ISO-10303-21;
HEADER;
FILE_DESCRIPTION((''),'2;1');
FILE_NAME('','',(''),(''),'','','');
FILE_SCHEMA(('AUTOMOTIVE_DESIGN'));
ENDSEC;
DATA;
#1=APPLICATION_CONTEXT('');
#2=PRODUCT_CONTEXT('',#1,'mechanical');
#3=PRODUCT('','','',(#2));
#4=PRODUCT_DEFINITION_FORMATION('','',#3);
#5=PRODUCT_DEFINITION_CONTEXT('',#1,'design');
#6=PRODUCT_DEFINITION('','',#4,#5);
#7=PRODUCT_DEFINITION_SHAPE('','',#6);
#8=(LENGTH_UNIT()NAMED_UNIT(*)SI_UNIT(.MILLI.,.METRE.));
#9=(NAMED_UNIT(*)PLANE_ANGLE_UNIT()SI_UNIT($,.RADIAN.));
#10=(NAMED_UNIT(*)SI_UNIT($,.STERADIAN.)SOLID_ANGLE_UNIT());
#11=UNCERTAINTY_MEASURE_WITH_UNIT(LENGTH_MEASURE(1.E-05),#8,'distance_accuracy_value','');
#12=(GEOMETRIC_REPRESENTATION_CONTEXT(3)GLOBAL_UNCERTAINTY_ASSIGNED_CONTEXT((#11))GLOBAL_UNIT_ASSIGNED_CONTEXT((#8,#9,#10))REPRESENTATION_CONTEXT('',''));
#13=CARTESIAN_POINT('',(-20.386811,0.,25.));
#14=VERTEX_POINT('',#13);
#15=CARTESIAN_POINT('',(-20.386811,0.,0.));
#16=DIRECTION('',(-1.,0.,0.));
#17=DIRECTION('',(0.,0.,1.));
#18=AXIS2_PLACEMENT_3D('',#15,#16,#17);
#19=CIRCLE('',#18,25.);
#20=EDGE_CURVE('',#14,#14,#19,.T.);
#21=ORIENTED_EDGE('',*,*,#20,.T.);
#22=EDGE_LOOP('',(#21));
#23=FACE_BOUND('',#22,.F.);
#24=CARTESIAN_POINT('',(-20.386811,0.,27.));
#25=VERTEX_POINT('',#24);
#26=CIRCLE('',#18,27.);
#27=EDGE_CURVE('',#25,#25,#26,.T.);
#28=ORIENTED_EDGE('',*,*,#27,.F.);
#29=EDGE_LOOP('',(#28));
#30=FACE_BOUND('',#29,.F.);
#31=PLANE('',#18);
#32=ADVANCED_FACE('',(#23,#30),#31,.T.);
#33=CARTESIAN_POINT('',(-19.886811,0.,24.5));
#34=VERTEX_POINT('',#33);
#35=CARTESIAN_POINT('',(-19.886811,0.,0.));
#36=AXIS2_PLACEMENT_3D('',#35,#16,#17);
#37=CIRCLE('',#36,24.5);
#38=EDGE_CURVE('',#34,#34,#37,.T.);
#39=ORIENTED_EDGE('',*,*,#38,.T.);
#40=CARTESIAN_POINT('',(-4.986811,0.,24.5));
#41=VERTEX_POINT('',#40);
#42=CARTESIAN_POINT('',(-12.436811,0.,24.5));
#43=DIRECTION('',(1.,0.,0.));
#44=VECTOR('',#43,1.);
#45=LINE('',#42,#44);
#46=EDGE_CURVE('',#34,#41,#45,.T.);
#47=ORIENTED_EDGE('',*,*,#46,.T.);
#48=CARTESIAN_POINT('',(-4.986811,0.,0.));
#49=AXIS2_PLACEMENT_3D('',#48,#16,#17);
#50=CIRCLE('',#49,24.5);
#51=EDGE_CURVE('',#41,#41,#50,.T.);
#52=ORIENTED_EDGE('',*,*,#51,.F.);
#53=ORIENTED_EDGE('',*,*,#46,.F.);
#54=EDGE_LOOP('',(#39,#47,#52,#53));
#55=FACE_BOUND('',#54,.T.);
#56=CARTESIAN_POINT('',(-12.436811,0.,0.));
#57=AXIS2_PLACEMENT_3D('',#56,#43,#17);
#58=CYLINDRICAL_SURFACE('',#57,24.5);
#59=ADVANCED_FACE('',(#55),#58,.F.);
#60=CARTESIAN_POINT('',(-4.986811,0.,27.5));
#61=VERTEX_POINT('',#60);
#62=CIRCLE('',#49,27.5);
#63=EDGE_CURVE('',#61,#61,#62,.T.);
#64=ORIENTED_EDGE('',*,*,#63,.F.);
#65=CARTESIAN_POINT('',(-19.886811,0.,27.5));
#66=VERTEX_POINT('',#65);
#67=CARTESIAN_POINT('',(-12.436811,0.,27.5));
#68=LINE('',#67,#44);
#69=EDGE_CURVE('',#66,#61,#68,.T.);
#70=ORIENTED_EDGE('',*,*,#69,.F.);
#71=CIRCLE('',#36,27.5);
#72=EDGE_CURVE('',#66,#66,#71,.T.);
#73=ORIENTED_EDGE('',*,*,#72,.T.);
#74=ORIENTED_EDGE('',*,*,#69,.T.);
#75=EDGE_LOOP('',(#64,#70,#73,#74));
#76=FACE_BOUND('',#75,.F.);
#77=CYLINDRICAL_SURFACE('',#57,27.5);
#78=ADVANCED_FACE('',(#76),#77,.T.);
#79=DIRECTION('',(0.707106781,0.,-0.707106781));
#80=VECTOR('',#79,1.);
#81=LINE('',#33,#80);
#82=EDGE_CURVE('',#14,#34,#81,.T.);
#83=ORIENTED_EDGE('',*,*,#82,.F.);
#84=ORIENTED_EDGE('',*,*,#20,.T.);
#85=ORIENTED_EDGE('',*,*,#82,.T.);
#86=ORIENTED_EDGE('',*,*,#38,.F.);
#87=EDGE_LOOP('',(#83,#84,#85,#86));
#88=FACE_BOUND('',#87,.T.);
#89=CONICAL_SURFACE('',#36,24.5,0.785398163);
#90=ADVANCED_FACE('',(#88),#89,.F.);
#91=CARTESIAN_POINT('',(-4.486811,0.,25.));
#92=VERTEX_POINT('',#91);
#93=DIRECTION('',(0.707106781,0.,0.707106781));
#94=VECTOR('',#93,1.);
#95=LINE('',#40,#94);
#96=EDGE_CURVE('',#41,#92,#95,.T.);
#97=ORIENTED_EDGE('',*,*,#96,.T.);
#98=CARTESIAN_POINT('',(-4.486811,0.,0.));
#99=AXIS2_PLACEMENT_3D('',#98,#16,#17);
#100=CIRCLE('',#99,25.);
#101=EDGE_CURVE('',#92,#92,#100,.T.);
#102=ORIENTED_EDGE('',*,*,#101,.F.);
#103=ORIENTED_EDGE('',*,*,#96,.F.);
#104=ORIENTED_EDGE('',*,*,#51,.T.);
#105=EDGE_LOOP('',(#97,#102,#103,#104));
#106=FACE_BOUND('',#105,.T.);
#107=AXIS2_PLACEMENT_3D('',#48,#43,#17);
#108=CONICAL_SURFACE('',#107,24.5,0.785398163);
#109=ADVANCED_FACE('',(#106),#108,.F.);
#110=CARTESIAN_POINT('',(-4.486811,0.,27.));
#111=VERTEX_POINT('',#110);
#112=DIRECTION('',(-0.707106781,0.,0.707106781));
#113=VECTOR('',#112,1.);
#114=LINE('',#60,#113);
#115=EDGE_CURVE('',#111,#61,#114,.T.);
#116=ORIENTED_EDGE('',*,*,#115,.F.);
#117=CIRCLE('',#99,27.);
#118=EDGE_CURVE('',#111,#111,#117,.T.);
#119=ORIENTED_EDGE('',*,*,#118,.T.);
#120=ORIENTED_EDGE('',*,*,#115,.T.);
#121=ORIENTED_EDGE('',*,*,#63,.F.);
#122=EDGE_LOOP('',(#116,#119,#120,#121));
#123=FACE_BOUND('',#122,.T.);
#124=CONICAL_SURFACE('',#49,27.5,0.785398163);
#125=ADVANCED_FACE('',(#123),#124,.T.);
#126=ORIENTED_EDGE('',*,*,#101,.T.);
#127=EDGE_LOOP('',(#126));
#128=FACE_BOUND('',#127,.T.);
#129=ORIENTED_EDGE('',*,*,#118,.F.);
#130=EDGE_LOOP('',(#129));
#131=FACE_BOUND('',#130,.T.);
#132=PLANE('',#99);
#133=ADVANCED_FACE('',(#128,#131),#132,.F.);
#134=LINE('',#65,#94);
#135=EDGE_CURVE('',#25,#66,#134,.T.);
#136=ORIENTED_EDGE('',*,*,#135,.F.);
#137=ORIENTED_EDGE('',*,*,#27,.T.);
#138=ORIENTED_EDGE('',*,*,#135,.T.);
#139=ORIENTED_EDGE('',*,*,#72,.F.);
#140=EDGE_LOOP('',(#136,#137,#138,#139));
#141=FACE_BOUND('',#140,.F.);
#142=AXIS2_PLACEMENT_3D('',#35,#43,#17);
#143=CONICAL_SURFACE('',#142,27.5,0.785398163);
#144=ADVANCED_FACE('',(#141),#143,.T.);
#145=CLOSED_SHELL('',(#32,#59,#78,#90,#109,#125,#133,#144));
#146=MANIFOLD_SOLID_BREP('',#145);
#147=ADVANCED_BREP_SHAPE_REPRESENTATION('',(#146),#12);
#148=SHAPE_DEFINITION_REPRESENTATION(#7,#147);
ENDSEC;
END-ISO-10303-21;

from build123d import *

# Parameters (mm, degrees)
F0_W    = 15.9
F0_H    = 3
F2_SIZE = 0.5


with BuildPart() as f1:
    # F0 (on Front) → F1 (revolve)
    with BuildSketch(Plane.XZ):
        with Locations((-12.436811, 26)):
            Rectangle(F0_W, F0_H)
    revolve(axis=Axis((-12.57622, 0, 0), (-1, 0, 0)))

    # F2
    f2_edges = [f1.edges().sort_by_distance(p)[0] for p in [
        (-20.386811, 0, -24.5),
        (-4.486811, 0, -24.5),
        (-12.436811, 0, 24.5),
        (-4.486811, 0, -27.5),
        (-20.386811, 0, -27.5),
        (-12.436811, 0, 27.5),
    ]]
    chamfer(f2_edges, length=F2_SIZE)


solid = f1.part
